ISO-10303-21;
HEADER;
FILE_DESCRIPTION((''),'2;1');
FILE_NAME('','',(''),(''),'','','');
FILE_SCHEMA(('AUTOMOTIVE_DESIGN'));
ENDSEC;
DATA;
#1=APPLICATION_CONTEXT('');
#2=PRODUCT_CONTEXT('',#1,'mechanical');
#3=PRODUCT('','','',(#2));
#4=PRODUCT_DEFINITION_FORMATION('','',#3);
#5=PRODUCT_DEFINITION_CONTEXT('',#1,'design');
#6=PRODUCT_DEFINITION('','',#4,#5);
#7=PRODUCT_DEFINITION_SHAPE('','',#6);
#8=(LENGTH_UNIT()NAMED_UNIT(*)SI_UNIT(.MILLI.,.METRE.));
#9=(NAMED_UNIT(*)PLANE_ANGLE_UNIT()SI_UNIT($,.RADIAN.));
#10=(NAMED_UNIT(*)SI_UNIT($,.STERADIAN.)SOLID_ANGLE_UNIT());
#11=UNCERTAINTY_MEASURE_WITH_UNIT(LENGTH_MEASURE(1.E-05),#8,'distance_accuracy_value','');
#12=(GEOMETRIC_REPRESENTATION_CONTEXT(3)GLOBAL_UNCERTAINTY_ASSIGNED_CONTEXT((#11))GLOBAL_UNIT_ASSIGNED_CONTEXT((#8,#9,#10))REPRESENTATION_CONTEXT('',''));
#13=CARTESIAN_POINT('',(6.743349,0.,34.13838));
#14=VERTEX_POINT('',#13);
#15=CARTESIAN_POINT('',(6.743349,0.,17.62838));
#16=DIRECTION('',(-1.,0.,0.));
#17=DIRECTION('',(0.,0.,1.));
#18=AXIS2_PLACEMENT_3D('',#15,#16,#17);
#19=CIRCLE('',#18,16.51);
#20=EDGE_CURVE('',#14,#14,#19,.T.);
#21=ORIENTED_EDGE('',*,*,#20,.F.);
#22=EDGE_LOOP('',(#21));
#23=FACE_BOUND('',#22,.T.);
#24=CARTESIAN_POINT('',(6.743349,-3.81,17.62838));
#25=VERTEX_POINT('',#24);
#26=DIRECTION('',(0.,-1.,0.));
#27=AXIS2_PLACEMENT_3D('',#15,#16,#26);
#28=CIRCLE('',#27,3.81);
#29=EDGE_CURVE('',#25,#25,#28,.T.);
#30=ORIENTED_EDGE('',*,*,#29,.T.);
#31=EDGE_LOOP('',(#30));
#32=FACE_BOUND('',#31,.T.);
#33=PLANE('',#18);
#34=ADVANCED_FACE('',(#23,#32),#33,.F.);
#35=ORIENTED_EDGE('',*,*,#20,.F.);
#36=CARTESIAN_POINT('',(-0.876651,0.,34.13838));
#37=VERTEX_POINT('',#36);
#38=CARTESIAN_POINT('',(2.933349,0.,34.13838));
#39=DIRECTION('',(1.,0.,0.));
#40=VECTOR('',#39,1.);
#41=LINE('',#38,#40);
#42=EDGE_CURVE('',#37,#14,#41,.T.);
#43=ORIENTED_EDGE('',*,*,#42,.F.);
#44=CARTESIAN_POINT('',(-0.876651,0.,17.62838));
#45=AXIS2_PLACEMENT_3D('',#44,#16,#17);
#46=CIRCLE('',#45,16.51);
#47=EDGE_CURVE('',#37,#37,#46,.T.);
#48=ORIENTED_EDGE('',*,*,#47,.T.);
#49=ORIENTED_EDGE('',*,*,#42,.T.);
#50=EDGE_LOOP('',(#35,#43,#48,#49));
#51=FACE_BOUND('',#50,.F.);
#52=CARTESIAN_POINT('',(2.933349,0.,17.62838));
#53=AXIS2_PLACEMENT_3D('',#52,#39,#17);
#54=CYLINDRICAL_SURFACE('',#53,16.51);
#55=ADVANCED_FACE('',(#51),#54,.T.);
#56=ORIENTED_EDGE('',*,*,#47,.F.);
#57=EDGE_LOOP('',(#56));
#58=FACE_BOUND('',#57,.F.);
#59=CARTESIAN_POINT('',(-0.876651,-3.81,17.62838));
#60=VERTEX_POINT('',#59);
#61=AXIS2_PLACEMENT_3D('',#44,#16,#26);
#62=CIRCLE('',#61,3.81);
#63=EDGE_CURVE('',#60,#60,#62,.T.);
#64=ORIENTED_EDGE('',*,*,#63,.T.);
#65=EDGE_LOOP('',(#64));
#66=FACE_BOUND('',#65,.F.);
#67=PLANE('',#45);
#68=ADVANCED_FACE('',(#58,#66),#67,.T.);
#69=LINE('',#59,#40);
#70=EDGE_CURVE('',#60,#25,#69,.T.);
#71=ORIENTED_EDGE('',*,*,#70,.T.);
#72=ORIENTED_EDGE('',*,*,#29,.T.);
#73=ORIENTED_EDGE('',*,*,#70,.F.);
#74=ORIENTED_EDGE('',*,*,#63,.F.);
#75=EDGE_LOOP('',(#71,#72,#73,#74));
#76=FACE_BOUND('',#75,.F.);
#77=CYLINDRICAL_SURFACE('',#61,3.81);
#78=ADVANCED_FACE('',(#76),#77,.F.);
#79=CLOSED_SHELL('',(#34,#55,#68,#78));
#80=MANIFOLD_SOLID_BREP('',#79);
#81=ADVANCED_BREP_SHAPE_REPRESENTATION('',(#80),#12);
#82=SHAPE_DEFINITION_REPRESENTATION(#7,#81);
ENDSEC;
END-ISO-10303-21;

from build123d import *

# Parameters (mm, degrees)
F0_W     = 7.62
F0_H     = 16.51
F2_R     = 3.81
F3_DEPTH = 25.4


with BuildPart() as f1:
    # F0 (on Front) → F1 (revolve)
    with BuildSketch(Plane.XZ):
        with Locations((2.933349, 25.88338)):
            Rectangle(F0_W, F0_H)
    revolve(axis=Axis((2.933349, 0, 17.62838), (-1, 0, 0)))

    # F2 (on face) → F3 (cut)
    with BuildSketch(Plane(origin=(-0.876651, 0, 0), x_dir=(0, -1, 0), z_dir=(-1, 0, 0))):
        with Locations((0, 17.62838)):
            Circle(F2_R)
    extrude(amount=-F3_DEPTH, mode=Mode.SUBTRACT)


solid = f1.part
